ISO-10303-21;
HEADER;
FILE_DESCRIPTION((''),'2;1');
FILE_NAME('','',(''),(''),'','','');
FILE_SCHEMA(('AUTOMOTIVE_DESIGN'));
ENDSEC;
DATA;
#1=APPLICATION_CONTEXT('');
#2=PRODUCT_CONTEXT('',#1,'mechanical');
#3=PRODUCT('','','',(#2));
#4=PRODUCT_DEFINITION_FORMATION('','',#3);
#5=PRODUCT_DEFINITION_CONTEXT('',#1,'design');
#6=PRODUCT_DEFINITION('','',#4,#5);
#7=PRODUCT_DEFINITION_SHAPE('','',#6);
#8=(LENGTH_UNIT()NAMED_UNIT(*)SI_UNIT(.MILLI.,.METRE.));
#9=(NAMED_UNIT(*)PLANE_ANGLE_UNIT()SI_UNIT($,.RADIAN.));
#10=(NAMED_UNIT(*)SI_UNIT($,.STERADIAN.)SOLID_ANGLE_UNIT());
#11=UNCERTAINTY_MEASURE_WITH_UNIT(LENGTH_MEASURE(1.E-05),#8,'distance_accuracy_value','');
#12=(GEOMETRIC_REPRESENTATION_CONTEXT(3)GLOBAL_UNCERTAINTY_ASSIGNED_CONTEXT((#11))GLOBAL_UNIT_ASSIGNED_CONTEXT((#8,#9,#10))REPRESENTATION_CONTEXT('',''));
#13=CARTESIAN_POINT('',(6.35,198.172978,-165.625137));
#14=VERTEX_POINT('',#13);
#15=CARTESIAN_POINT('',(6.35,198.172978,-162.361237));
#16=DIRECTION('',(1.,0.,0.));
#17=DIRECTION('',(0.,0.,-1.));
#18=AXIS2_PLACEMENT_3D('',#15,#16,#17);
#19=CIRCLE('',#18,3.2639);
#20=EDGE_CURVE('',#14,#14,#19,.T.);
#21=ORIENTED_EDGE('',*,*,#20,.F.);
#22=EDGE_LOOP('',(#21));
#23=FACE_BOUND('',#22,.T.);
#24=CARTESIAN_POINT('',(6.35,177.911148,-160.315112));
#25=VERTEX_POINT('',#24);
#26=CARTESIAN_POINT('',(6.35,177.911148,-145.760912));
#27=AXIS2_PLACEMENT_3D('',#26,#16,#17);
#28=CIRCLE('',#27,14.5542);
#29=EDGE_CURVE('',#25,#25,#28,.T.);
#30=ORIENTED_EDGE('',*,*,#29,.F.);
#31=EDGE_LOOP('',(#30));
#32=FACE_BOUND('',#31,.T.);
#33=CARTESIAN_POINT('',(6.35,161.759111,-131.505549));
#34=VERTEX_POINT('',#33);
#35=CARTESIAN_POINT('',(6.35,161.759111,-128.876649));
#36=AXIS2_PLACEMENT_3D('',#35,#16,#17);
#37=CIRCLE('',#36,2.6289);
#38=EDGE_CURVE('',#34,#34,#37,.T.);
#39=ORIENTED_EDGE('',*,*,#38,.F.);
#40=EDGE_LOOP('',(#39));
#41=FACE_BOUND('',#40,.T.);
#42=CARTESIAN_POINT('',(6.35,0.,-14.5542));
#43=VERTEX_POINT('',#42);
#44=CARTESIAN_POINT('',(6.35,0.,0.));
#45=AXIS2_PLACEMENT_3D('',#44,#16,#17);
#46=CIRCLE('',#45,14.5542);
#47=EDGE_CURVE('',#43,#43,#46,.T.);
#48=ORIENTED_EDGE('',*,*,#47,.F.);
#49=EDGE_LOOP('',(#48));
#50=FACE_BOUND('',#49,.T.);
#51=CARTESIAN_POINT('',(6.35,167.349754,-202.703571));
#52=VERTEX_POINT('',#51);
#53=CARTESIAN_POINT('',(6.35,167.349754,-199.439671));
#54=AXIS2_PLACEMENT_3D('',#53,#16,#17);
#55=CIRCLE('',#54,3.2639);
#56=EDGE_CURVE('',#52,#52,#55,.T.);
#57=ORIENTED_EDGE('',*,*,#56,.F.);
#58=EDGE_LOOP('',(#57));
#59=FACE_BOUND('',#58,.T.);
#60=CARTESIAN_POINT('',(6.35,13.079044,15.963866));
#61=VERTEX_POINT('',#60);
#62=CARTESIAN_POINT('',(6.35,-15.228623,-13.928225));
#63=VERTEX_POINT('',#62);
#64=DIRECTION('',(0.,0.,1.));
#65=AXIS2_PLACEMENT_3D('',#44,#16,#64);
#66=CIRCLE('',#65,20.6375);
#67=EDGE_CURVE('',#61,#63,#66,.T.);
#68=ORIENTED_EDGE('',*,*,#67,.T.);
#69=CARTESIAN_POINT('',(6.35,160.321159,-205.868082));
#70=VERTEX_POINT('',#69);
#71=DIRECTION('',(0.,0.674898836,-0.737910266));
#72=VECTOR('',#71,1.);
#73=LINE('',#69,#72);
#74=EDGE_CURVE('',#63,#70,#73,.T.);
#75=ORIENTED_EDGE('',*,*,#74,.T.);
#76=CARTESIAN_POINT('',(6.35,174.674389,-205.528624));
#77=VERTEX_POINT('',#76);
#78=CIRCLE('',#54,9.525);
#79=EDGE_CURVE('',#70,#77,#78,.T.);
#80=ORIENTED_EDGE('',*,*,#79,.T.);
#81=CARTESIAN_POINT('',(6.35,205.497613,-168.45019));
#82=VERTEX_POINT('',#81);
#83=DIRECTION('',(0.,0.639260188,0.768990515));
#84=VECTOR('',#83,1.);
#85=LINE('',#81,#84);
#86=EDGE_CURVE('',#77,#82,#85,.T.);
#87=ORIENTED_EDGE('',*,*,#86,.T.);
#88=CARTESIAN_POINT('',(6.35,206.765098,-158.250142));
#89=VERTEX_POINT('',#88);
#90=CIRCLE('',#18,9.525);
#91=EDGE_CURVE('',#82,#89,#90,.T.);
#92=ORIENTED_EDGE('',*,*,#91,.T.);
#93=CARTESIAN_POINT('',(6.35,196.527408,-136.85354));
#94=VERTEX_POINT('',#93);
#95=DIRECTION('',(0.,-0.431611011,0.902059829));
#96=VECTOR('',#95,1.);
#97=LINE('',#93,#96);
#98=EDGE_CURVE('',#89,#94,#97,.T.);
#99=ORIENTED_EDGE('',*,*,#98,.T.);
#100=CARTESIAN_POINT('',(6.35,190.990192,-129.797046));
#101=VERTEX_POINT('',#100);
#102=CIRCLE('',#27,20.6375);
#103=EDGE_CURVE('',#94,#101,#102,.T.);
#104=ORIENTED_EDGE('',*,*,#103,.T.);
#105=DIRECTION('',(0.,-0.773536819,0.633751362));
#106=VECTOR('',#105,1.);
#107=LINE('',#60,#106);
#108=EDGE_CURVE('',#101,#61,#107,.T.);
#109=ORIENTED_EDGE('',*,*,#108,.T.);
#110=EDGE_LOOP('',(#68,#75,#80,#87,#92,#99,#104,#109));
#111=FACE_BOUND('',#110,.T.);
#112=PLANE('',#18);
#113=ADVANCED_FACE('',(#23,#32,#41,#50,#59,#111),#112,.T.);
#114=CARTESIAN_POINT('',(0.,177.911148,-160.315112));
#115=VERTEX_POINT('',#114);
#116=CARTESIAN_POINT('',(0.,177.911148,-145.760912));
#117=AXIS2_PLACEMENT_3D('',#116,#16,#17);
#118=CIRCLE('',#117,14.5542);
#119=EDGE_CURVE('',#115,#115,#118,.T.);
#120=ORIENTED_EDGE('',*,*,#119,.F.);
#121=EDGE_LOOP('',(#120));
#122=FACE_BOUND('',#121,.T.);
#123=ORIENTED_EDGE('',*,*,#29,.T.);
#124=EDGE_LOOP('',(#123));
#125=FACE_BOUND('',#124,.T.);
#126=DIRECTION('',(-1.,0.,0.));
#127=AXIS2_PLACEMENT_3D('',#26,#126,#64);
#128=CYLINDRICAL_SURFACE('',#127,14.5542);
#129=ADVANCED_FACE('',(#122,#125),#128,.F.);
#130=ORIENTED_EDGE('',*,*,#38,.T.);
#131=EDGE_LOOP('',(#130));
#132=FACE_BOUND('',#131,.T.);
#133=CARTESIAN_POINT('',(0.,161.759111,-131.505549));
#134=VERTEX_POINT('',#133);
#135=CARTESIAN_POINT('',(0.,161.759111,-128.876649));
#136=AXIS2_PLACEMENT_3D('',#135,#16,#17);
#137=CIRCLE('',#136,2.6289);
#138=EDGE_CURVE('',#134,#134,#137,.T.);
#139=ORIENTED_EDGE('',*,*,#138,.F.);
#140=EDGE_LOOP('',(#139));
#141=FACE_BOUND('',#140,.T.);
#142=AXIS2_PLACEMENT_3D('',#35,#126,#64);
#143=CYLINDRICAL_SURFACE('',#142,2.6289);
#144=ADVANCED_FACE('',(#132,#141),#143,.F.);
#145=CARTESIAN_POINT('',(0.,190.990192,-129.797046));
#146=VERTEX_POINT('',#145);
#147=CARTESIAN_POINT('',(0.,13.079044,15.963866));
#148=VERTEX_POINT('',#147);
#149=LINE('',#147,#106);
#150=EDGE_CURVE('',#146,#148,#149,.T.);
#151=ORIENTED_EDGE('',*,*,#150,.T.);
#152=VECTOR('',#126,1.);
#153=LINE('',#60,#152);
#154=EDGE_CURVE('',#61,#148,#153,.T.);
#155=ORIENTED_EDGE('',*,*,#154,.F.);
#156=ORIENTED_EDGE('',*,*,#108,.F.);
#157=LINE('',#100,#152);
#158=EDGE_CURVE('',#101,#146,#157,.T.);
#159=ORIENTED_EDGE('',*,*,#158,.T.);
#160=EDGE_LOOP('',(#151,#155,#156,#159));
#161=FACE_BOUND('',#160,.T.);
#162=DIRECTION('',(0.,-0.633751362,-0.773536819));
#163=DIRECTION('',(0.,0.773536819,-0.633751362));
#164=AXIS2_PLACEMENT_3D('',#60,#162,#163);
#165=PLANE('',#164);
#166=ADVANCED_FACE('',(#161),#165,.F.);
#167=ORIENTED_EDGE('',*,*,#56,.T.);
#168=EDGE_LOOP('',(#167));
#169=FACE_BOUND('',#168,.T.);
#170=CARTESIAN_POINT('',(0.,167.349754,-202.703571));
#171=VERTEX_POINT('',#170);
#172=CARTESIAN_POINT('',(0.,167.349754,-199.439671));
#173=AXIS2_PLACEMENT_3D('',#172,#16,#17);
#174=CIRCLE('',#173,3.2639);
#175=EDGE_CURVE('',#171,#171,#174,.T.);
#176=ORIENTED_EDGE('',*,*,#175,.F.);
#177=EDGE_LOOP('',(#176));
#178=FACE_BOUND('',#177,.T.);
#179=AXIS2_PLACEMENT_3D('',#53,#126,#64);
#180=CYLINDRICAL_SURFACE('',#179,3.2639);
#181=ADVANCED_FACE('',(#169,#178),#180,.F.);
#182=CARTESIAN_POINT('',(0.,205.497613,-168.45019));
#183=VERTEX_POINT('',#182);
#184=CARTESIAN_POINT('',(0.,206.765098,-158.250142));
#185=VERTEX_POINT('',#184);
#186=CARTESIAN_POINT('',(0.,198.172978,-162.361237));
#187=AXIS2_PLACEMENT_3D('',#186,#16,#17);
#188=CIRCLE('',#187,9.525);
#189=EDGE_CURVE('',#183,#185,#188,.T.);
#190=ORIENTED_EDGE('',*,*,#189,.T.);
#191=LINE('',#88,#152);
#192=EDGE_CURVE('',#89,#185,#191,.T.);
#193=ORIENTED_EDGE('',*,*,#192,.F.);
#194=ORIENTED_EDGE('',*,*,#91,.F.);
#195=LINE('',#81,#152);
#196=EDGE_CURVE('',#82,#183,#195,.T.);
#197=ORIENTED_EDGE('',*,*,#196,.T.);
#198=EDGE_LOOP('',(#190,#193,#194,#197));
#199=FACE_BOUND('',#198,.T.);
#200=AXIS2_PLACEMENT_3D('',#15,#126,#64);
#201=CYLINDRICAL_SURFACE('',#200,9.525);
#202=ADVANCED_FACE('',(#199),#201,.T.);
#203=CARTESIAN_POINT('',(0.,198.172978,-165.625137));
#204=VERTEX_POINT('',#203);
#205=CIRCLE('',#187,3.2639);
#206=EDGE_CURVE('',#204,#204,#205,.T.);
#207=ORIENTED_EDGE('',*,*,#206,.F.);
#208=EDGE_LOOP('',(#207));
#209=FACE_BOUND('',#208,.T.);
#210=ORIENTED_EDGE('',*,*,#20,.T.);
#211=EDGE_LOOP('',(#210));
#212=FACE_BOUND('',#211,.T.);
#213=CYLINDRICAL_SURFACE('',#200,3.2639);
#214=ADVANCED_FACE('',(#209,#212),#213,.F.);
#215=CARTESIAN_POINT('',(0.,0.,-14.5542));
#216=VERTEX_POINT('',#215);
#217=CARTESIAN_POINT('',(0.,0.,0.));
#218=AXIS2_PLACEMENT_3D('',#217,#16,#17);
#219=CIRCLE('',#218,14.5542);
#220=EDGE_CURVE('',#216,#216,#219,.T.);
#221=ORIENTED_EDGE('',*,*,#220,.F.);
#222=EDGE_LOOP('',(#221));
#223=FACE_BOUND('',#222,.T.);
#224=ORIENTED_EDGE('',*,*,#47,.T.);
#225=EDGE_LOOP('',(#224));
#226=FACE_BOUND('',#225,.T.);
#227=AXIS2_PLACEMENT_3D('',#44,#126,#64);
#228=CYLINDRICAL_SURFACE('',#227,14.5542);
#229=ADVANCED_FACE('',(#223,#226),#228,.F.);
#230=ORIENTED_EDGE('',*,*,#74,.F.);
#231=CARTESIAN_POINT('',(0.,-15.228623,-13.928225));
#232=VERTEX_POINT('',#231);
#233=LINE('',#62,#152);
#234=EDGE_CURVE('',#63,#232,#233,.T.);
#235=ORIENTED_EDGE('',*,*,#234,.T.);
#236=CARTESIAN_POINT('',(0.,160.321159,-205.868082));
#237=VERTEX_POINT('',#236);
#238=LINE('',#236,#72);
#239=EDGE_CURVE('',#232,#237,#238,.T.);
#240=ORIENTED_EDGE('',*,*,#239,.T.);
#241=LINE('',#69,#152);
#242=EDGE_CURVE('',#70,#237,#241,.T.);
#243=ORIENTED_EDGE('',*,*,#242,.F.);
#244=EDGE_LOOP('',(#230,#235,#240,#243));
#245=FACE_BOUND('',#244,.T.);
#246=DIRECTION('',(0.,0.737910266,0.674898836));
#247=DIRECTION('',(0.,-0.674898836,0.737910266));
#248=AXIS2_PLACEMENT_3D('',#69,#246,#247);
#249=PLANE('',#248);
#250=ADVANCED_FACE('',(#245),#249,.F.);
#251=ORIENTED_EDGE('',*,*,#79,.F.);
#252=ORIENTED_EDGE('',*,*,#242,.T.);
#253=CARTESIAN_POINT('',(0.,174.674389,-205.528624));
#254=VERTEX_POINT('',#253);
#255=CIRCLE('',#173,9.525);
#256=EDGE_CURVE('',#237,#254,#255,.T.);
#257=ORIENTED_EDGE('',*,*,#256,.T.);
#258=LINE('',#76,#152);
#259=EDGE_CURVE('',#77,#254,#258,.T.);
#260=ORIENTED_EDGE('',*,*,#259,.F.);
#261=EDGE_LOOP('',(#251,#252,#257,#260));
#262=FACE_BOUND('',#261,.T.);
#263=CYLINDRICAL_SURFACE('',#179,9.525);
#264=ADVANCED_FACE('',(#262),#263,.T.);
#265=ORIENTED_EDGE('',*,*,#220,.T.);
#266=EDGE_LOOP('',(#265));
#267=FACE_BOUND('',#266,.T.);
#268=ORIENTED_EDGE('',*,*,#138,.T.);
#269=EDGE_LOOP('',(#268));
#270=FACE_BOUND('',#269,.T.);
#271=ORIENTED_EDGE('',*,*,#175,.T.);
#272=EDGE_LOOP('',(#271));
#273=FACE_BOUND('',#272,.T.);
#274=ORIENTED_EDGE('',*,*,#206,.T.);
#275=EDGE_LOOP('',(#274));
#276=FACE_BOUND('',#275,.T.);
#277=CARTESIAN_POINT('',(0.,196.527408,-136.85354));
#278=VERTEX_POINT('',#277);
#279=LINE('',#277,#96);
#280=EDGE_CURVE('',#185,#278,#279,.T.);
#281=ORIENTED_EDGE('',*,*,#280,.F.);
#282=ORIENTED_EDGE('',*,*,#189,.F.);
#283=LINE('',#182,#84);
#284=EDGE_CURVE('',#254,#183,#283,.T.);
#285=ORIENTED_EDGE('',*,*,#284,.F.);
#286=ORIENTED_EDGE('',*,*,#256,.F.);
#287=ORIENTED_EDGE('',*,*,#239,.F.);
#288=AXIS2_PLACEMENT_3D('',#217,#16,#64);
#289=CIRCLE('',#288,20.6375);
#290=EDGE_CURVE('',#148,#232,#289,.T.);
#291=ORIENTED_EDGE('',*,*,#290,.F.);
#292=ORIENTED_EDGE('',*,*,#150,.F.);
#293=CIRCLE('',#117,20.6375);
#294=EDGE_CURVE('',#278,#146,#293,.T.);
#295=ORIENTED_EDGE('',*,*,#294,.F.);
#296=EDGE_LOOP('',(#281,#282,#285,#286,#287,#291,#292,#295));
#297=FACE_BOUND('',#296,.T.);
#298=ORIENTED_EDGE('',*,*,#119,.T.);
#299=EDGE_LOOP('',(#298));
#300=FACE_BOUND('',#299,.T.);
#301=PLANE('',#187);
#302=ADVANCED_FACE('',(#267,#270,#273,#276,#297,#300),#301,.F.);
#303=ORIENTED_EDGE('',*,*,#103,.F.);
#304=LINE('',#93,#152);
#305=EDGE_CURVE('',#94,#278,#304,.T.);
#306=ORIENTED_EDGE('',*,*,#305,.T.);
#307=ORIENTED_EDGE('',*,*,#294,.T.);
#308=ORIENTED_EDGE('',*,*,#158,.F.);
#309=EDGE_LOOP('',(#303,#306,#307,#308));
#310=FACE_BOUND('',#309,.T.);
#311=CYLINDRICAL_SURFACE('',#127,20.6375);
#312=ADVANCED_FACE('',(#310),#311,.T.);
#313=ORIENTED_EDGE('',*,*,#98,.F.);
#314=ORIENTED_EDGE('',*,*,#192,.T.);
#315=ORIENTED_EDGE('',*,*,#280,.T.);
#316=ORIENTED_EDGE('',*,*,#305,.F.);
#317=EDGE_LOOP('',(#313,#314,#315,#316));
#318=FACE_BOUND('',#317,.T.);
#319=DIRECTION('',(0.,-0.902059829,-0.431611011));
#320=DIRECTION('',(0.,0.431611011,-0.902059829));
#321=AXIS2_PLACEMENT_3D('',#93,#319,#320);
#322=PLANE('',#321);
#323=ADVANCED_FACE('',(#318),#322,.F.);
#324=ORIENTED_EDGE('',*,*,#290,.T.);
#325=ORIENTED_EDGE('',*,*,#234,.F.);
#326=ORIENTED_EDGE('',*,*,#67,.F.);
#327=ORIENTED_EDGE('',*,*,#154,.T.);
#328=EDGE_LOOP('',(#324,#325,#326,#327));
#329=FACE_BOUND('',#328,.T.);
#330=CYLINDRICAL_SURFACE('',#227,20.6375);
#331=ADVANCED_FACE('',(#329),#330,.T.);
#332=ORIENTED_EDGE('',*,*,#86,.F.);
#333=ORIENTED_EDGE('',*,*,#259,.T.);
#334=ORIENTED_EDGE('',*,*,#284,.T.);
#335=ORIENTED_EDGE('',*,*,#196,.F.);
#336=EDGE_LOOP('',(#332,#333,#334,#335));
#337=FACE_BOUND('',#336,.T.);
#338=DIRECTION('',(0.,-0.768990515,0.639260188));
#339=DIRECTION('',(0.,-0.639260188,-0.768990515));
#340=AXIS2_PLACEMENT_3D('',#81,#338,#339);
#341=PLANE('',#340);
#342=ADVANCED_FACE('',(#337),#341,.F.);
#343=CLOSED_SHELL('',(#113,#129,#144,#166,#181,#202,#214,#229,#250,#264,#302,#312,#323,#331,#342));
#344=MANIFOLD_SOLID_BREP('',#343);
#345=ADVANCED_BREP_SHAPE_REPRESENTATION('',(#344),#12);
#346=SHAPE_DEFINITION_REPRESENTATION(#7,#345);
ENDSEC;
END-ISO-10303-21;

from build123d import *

# Parameters (mm, degrees)
SKETCH1_R           = 14.5542
SKETCH1_R_2         = 3.2639
SKETCH1_R_3         = 2.6289
BOSS_EXTRUDE1_DEPTH = 6.35


with BuildPart() as part:
    # Sketch1 → Boss-Extrude1 (new body)
    with BuildSketch(Plane(origin=(0, 0, 0), x_dir=(0, 0, -1), z_dir=(1, 0, 0))):
        with BuildLine():
            Line((-15.963866107, 13.079043741), (129.797045986, 190.990191551))
            ThreePointArc((129.797045986, 190.990191551), (133.020825181, 194.146805841), (136.853539845, 196.527407527))
            Line((136.853539845, 196.527407527), (158.250141957, 206.765097738))
            ThreePointArc((158.250141957, 206.765097738), (163.53580513, 207.625279933), (168.450190134, 205.497612521))
            Line((168.450190134, 205.497612521), (205.528624059, 174.674388835))
            ThreePointArc((205.528624059, 174.674388835), (208.962008043, 167.574960267), (205.86808218, 160.321158896))
            Line((205.86808218, 160.321158896), (13.92822473, -15.22862312))
            ThreePointArc((13.92822473, -15.22862312), (-14.190382649, -14.984640353), (-15.963866107, 13.079043741))
        make_face()
        Circle(SKETCH1_R, mode=Mode.SUBTRACT)
        with Locations((145.760912093, 177.911147809)):
            Circle(SKETCH1_R, mode=Mode.SUBTRACT)
        with Locations((199.439670766, 167.349754182)):
            Circle(SKETCH1_R_2, mode=Mode.SUBTRACT)
        with Locations((162.361236841, 198.172977868)):
            Circle(SKETCH1_R_2, mode=Mode.SUBTRACT)
        with Locations((128.876648593, 161.759110908)):
            Circle(SKETCH1_R_3, mode=Mode.SUBTRACT)
    extrude(amount=BOSS_EXTRUDE1_DEPTH)


solid = part.part
